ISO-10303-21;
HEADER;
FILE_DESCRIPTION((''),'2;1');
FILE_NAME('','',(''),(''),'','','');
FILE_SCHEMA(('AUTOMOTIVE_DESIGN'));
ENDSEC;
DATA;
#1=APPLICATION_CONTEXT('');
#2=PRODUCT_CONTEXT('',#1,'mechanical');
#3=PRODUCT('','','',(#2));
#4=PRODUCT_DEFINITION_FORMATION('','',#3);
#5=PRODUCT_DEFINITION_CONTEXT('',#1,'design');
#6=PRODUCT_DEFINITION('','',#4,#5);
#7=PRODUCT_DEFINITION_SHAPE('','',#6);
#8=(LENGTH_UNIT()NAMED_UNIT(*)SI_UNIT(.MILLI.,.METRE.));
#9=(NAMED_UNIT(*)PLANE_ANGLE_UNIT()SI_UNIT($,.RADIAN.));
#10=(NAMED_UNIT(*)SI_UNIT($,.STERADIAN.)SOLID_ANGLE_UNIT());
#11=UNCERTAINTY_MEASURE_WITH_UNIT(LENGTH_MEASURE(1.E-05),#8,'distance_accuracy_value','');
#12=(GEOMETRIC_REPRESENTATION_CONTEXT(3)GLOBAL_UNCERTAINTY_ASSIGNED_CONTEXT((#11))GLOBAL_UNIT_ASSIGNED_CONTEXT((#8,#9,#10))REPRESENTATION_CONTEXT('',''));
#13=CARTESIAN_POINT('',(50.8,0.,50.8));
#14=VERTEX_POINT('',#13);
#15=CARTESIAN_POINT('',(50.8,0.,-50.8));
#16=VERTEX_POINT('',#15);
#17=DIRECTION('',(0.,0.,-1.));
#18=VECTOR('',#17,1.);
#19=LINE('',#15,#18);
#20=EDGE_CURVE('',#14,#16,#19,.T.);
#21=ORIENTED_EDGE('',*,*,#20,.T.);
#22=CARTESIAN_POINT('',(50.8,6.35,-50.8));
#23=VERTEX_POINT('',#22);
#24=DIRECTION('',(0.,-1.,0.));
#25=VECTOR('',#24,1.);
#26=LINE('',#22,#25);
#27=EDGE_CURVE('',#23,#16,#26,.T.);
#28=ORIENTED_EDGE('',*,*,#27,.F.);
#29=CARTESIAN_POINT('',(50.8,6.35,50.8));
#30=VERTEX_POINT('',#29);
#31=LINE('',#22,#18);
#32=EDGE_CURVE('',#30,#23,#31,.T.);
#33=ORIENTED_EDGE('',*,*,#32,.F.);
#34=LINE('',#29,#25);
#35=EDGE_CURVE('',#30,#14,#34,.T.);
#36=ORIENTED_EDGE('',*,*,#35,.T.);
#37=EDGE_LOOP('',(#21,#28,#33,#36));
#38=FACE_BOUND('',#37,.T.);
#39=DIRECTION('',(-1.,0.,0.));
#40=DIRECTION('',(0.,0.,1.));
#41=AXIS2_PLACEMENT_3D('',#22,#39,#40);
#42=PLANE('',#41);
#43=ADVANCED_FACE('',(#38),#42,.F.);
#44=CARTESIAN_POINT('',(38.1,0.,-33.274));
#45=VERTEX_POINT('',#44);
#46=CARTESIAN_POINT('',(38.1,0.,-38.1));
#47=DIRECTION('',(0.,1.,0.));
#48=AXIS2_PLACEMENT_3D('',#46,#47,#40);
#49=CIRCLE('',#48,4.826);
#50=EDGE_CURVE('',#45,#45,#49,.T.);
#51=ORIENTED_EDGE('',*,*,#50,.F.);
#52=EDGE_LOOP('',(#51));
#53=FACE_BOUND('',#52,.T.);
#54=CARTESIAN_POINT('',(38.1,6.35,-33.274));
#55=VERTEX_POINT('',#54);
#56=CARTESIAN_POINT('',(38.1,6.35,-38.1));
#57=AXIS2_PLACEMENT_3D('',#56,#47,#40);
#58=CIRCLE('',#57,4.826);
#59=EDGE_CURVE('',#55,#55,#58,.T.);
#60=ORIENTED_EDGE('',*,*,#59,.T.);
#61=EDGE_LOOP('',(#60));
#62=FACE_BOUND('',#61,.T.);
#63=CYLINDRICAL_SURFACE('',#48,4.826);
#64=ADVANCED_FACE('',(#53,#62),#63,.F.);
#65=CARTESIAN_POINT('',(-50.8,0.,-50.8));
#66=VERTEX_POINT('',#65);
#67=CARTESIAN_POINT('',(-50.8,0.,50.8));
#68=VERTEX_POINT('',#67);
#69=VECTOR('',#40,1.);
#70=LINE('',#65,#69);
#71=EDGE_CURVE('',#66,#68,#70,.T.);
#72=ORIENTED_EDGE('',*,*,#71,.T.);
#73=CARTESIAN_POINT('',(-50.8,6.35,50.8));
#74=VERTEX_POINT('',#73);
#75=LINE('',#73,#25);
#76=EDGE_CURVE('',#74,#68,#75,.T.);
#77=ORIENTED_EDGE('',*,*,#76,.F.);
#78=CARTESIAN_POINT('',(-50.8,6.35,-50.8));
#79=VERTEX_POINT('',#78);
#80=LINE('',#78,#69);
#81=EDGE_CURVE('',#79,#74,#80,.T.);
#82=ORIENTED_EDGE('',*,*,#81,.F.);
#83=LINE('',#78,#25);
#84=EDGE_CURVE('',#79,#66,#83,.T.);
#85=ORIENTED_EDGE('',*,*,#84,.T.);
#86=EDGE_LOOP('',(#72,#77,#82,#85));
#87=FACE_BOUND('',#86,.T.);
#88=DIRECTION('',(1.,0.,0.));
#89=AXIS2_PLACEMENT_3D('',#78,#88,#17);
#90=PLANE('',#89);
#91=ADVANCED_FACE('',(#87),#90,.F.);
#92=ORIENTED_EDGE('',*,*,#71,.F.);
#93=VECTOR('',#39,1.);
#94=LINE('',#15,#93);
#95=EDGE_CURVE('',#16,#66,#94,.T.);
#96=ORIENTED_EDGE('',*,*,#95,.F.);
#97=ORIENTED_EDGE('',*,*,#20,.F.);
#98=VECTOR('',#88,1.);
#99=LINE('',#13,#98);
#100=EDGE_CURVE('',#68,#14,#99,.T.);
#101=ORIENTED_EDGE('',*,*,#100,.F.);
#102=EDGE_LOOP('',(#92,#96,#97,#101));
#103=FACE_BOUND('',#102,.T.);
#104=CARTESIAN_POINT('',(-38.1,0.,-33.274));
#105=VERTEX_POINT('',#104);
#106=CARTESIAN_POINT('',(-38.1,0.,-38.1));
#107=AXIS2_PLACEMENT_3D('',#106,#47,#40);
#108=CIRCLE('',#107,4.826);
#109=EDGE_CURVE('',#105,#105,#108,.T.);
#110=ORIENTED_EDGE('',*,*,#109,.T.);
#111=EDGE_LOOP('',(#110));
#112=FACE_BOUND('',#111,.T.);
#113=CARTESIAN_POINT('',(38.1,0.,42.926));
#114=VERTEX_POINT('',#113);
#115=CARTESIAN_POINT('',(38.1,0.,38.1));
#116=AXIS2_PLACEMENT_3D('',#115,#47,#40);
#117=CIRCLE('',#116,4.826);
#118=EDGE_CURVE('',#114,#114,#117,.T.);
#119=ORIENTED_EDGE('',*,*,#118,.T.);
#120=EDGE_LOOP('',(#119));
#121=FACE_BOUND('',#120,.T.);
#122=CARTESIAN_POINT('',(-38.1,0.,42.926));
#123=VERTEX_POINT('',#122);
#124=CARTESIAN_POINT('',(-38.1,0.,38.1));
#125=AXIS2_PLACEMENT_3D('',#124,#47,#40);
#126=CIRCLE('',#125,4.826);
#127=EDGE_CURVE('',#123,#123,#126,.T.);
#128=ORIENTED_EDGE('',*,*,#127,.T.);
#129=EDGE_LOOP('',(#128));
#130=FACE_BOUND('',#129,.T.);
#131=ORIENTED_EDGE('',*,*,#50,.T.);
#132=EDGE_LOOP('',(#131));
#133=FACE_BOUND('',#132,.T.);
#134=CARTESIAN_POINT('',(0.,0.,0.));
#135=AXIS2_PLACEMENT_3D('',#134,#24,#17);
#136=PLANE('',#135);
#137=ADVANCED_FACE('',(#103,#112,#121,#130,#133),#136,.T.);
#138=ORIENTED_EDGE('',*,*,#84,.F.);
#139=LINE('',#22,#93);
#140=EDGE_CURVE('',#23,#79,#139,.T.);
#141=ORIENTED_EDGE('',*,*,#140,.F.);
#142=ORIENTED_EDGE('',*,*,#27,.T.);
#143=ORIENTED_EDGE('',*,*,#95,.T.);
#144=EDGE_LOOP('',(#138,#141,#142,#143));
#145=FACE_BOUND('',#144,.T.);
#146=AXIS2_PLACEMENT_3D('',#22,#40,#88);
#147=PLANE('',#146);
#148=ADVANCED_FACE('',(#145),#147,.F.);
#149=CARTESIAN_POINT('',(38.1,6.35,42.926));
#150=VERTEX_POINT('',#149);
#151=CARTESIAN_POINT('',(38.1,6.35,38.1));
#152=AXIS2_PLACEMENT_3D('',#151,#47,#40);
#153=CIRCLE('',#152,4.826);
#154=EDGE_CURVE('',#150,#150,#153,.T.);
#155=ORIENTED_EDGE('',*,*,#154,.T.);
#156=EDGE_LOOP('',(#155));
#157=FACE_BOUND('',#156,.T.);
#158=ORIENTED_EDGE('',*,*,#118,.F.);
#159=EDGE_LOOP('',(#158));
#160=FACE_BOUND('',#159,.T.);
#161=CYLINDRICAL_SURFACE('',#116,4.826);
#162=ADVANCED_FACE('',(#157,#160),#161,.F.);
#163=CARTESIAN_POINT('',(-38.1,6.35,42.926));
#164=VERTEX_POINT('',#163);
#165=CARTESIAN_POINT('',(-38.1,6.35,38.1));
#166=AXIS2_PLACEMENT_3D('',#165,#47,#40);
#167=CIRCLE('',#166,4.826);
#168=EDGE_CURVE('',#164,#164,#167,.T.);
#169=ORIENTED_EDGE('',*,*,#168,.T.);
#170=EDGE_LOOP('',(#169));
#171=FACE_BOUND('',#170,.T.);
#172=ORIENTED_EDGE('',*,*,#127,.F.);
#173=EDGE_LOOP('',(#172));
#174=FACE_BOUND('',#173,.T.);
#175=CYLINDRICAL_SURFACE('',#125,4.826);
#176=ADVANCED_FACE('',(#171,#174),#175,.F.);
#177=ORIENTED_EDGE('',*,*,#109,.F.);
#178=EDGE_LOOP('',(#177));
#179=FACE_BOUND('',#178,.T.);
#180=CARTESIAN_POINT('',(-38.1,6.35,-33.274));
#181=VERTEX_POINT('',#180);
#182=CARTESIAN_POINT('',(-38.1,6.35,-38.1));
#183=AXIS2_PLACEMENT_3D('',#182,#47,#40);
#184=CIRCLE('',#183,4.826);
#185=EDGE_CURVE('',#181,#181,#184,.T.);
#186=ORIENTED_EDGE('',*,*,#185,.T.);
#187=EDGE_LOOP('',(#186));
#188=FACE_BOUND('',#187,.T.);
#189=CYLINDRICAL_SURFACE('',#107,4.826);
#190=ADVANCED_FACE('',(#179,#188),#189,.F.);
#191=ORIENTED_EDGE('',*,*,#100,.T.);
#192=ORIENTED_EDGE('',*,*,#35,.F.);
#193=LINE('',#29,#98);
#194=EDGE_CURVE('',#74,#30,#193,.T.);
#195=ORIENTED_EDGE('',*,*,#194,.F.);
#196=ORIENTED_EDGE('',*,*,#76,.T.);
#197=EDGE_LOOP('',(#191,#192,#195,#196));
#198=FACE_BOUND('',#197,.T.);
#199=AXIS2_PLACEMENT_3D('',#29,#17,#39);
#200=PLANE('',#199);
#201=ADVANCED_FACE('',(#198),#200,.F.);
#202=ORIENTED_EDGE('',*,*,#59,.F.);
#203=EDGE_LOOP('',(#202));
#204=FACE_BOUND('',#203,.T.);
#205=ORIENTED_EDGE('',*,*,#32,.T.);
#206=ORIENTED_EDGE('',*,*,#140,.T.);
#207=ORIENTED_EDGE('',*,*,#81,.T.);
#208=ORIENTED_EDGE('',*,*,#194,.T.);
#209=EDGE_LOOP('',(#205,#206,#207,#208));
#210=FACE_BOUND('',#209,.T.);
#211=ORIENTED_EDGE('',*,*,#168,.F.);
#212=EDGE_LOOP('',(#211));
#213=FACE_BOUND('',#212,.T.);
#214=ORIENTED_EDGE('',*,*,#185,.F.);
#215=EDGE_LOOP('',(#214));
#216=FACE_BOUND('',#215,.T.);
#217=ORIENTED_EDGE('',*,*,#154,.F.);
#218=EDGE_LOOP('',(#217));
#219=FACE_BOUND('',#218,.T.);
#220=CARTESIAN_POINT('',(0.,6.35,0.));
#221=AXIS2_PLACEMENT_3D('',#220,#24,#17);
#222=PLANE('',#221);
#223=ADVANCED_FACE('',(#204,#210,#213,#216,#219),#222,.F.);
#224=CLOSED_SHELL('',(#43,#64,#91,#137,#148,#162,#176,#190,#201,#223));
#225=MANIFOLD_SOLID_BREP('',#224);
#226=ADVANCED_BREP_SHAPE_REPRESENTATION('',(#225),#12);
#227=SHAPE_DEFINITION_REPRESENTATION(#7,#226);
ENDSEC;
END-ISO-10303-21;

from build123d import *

# Parameters (mm, degrees)
SKETCH1_W           = 101.6
SKETCH1_H           = 101.6
BOSS_EXTRUDE1_DEPTH = 6.35
SKETCH2_R           = 4.826
CUT_EXTRUDE1_DEPTH  = 6.35


with BuildPart() as part:
    # Sketch1 → Boss-Extrude1 (new body)
    with BuildSketch(Plane(origin=(0, 0, 0), x_dir=(1, 0, 0), z_dir=(0, 1, 0))):
        Rectangle(SKETCH1_W, SKETCH1_H)
    extrude(amount=BOSS_EXTRUDE1_DEPTH)

    # Sketch2 → Cut-Extrude1 (cut)
    with BuildSketch(Plane(origin=(0, 6.35, 0), x_dir=(1, 0, 0), z_dir=(0, 1, 0))):
        with Locations((-38.1, 38.1)):
            Circle(SKETCH2_R)
        with Locations((38.1, 38.1)):
            Circle(SKETCH2_R)
        with Locations((38.1, -38.1)):
            Circle(SKETCH2_R)
        with Locations((-38.1, -38.1)):
            Circle(SKETCH2_R)
    extrude(amount=-CUT_EXTRUDE1_DEPTH, mode=Mode.SUBTRACT)


solid = part.part
